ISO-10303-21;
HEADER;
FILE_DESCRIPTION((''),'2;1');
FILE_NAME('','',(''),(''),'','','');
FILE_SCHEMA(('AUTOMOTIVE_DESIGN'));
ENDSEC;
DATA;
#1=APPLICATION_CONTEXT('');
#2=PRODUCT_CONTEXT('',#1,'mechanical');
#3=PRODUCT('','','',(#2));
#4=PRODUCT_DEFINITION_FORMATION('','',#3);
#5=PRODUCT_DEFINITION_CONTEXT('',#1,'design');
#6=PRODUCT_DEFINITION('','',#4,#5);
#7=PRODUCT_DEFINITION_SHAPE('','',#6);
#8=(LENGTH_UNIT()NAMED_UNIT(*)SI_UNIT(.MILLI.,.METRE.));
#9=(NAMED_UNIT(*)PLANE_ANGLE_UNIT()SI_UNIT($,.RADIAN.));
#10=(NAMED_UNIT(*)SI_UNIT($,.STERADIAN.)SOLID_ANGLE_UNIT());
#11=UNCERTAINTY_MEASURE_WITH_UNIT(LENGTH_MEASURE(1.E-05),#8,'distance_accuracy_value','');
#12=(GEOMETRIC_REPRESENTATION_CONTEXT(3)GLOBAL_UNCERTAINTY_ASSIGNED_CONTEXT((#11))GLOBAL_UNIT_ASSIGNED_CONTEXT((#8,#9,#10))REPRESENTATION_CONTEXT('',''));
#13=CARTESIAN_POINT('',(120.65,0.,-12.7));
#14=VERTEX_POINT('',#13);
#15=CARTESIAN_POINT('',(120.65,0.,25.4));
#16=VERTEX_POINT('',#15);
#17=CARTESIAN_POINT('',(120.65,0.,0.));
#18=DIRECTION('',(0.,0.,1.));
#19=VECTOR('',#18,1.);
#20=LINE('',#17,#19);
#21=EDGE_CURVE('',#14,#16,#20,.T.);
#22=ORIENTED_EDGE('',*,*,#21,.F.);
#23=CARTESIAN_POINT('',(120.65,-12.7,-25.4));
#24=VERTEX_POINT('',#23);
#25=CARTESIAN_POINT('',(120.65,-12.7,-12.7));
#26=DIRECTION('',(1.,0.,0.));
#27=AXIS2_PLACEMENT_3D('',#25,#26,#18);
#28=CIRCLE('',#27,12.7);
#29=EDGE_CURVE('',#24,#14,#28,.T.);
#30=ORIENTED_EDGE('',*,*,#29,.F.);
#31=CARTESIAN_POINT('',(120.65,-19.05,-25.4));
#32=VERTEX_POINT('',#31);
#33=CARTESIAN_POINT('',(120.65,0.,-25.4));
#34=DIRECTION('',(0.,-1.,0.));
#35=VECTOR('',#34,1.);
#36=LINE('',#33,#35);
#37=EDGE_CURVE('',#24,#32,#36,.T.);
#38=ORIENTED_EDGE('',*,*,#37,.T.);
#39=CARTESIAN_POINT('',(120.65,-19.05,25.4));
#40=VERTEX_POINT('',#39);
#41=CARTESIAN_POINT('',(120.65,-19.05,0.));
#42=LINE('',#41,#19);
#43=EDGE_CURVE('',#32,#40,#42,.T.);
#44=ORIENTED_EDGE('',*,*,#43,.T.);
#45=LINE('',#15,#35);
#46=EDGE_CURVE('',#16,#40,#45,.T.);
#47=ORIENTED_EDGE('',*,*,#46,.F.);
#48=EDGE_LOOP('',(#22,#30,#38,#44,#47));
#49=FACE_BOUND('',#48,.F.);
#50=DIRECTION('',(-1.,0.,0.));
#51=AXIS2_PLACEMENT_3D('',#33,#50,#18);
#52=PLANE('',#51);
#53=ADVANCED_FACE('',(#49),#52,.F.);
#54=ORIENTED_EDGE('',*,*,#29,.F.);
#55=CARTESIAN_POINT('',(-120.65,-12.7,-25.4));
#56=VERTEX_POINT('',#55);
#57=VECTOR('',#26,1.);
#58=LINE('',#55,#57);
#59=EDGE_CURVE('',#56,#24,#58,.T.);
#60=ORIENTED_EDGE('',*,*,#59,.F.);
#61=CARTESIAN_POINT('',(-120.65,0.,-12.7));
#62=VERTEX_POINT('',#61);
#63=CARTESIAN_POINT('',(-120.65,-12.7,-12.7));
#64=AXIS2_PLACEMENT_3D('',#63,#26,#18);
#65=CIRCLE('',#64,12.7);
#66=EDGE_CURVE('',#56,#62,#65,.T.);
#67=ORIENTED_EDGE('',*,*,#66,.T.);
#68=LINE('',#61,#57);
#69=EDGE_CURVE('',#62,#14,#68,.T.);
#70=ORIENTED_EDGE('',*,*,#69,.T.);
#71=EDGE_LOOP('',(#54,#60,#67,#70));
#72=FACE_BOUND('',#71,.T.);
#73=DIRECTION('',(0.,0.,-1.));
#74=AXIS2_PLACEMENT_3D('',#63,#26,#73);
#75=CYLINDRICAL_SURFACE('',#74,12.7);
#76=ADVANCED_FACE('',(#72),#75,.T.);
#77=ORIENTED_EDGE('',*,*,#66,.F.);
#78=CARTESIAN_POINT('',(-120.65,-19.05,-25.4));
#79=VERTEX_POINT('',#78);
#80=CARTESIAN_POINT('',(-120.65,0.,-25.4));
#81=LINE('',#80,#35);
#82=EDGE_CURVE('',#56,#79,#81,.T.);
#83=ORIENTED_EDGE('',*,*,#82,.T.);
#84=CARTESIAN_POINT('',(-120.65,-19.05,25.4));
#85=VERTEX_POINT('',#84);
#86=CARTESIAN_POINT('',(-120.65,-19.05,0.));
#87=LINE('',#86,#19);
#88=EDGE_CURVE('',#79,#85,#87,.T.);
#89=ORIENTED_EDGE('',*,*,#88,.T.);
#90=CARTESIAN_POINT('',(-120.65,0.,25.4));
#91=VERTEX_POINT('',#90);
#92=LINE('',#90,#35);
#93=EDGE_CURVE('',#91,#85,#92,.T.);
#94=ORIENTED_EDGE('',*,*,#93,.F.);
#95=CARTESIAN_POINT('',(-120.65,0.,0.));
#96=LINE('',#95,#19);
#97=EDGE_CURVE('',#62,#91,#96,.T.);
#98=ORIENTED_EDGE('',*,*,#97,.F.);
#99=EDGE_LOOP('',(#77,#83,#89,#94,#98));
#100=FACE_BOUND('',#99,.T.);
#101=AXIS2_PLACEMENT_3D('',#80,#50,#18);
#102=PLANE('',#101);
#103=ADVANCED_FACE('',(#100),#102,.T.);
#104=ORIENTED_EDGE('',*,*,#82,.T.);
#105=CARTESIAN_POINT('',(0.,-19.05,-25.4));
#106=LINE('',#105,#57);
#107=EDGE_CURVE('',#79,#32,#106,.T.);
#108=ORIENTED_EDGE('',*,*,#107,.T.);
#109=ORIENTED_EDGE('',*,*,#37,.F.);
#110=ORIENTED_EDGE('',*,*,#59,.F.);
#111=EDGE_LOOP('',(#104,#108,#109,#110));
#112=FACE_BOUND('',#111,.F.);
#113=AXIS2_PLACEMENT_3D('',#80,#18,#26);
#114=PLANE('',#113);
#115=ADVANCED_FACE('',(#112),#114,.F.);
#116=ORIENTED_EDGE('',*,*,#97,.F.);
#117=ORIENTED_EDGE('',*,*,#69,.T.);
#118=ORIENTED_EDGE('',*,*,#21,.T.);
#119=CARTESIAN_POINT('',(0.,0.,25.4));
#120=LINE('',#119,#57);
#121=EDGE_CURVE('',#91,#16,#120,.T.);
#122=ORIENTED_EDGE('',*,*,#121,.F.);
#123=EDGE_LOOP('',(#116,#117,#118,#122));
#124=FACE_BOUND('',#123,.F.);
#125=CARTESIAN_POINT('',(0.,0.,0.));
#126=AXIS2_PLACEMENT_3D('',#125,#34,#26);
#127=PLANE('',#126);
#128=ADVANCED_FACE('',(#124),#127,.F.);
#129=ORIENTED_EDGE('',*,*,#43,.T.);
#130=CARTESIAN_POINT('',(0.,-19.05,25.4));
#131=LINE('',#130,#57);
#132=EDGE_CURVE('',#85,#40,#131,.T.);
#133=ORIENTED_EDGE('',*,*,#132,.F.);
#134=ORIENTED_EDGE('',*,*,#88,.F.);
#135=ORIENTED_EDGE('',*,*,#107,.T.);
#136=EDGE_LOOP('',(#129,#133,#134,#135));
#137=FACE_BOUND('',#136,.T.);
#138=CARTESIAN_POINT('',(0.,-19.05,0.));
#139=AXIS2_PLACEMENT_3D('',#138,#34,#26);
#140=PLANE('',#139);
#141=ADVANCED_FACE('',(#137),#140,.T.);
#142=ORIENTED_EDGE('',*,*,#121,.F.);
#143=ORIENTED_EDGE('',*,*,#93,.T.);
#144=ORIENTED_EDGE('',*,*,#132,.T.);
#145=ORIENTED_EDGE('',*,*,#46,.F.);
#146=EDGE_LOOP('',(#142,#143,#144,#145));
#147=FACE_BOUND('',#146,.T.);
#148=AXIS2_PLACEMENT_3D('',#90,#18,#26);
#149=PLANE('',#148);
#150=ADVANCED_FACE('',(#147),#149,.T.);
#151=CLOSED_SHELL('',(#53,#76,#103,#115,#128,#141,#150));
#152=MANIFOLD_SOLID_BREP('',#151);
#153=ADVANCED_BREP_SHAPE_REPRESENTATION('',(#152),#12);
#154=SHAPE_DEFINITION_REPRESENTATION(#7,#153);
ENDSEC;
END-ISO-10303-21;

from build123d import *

# Parameters (mm, degrees)
F0_W     = 241.3
F0_H     = 50.8
F1_DEPTH = 19.05
F2_R     = 12.7


with BuildPart() as f1:
    # F0 (on Front) → F1 (new body)
    with BuildSketch(Plane.XZ):
        Rectangle(F0_W, F0_H)
    extrude(amount=F1_DEPTH)

    # F2
    f2_edges = [f1.edges().sort_by_distance(p)[0] for p in [
        (0, 0, -25.4),
    ]]
    fillet(f2_edges, radius=F2_R)


solid = f1.part
